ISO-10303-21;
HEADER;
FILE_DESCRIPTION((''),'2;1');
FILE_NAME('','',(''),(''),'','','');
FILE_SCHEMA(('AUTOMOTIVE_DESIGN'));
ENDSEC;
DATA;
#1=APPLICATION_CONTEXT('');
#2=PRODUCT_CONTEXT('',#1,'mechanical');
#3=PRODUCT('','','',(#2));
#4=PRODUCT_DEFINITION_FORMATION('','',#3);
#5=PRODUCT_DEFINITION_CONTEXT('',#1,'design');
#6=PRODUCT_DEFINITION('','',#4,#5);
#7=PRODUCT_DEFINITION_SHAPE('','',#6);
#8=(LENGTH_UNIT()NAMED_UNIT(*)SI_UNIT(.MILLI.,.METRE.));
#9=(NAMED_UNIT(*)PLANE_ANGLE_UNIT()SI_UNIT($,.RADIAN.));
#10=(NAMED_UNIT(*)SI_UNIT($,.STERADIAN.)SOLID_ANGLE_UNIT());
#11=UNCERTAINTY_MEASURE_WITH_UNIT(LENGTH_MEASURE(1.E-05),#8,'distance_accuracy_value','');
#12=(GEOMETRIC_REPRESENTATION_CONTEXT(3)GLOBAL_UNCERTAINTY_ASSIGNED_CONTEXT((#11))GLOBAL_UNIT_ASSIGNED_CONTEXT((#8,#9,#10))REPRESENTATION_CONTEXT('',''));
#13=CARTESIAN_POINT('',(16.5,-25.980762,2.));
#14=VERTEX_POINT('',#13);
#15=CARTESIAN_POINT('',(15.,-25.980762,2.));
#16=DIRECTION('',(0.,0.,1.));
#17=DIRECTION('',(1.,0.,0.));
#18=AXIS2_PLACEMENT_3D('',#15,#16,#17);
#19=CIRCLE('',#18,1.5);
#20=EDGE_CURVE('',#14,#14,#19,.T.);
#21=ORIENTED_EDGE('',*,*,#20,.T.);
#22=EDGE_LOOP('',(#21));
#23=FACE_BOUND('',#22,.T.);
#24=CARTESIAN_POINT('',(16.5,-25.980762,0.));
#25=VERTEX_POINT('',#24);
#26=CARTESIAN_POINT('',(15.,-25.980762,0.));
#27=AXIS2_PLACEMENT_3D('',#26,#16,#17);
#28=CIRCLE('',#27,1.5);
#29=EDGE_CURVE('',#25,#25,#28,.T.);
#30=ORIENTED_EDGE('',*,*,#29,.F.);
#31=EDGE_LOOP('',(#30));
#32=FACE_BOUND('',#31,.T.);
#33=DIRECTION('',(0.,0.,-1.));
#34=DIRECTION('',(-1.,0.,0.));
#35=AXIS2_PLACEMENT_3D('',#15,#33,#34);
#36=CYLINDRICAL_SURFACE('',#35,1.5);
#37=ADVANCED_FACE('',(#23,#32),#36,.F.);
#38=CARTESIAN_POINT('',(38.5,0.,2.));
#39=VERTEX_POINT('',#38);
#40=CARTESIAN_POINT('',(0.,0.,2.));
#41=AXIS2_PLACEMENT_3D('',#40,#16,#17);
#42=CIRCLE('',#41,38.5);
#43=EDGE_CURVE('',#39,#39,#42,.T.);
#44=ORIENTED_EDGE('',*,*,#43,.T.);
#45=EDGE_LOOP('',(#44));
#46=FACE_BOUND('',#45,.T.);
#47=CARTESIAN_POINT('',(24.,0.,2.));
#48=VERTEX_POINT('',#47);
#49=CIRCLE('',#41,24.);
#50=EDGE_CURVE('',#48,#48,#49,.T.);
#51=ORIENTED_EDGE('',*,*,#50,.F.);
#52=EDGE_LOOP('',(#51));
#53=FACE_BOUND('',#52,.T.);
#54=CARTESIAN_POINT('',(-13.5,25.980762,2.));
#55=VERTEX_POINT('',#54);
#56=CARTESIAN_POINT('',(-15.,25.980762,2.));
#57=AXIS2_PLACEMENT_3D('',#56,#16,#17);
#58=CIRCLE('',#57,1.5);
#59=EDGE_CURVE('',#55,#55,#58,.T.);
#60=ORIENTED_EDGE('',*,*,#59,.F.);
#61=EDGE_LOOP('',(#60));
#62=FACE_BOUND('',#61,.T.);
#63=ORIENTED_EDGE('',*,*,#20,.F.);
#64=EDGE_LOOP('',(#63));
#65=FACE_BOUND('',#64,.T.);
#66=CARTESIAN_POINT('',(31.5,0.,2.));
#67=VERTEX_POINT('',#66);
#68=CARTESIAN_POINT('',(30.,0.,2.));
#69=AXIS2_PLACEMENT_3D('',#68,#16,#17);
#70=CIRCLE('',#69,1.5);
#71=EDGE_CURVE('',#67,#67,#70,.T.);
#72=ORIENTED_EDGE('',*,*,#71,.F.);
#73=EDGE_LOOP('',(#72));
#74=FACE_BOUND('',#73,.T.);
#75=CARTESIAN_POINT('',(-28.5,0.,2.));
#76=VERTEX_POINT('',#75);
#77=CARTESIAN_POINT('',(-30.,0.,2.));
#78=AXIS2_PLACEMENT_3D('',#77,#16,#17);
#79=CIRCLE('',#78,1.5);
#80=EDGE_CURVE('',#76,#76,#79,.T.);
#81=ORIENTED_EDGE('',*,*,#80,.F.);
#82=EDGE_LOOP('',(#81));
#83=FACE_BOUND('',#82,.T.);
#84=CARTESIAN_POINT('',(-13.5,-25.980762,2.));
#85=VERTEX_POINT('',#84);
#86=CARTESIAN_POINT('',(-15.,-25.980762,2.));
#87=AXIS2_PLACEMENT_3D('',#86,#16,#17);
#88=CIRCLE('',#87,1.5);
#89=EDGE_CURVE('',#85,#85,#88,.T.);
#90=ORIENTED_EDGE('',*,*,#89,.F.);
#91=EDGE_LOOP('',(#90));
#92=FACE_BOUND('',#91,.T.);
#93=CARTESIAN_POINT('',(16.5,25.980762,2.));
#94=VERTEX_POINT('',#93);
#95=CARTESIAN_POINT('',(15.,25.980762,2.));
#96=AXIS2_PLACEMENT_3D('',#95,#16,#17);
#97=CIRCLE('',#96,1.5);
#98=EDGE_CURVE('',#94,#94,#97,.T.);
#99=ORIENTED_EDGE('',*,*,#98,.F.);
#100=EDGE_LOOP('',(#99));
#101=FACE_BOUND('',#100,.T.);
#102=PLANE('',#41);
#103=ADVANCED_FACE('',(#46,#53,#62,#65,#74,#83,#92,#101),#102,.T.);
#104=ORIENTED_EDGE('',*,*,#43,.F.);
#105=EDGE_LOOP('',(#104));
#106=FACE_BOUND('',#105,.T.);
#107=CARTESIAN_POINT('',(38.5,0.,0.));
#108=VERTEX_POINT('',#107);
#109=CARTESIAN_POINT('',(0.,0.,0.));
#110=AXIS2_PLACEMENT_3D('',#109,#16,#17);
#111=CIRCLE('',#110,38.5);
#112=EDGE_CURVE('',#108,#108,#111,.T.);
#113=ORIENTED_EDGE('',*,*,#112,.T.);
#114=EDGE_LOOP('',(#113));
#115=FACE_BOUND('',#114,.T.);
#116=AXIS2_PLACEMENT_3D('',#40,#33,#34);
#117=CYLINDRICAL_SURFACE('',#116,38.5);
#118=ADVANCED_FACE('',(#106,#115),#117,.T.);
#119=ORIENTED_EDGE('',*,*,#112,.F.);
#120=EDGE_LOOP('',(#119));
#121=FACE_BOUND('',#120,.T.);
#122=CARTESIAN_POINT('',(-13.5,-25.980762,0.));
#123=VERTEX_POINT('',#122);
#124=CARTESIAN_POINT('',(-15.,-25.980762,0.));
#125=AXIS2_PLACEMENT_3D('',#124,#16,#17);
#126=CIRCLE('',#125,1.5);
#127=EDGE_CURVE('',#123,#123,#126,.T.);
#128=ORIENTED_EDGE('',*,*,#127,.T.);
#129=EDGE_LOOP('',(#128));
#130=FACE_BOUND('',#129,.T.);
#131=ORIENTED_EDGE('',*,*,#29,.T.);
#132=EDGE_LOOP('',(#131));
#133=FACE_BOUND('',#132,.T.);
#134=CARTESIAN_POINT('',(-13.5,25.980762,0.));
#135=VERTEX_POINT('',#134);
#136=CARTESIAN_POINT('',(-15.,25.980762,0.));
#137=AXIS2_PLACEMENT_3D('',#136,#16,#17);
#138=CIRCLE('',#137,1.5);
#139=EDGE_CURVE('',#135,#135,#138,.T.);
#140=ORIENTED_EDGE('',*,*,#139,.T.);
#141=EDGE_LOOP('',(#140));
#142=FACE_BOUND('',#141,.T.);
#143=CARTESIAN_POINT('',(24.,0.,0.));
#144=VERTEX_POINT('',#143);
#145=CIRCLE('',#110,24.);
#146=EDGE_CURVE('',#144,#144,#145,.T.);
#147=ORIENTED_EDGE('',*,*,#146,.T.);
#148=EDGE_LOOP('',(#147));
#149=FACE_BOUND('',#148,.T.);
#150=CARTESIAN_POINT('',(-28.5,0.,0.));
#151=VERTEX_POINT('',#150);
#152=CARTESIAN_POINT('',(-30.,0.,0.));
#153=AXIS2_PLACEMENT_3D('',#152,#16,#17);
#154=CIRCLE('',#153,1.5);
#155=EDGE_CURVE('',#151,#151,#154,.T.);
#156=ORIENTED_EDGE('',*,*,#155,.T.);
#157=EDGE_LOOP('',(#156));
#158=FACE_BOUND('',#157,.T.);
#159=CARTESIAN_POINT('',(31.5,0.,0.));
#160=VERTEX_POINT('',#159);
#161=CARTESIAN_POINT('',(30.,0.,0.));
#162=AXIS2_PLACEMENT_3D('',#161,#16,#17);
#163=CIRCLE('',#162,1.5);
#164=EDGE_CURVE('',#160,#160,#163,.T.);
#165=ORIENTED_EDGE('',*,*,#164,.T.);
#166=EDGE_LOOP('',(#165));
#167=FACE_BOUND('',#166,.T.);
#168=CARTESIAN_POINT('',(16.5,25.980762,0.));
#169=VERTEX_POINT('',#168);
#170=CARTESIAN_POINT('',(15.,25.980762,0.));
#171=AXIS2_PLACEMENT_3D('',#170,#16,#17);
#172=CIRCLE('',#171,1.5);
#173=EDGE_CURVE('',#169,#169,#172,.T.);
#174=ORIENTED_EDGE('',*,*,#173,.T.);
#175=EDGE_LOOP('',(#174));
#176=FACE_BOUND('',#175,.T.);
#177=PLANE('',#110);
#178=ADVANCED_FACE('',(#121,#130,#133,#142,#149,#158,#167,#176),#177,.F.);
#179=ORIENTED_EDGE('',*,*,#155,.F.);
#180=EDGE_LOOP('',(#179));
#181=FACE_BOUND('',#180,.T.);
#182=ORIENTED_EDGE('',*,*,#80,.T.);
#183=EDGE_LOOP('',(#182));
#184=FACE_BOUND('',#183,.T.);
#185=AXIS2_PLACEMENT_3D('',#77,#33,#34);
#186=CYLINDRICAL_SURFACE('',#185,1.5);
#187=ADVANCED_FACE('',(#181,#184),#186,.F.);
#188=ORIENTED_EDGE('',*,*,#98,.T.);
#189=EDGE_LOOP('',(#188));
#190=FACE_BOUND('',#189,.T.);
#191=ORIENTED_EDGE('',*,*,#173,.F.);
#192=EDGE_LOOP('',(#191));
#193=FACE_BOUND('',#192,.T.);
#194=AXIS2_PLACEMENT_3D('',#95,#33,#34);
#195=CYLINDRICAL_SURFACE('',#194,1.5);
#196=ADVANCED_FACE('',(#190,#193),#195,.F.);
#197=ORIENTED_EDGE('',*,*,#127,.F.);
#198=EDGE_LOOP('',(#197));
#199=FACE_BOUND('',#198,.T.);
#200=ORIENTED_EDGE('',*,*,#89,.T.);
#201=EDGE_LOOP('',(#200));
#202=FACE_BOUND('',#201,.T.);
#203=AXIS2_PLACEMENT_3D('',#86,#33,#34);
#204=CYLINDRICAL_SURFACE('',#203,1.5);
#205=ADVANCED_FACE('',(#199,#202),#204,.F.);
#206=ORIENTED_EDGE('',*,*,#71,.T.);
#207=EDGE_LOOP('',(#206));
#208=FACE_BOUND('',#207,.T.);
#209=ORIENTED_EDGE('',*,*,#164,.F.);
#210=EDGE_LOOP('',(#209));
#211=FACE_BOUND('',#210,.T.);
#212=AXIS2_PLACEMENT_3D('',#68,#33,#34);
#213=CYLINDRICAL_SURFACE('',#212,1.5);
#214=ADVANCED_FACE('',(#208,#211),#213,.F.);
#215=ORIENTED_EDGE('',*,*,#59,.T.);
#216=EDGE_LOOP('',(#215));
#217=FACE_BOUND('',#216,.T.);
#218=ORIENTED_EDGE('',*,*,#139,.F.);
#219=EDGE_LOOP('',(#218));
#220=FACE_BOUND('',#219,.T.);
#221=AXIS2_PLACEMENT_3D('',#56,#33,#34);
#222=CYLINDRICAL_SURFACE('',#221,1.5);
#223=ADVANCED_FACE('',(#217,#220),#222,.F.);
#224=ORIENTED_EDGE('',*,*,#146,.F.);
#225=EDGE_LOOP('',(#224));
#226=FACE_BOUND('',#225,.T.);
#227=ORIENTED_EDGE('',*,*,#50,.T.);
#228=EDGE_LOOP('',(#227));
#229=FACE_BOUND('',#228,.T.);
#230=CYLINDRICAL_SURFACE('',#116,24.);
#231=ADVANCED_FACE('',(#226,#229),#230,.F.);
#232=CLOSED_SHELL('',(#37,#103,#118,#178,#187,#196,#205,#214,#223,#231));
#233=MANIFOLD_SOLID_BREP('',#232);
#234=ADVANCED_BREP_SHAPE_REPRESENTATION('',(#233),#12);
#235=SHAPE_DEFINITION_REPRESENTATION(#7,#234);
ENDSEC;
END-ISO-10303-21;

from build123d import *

# Parameters (mm, degrees)
MODEL_R             = 38.5
MODEL_R_2           = 1.5
MODEL_R_3           = 24
BOSS_EXTRUDE1_DEPTH = 2


with BuildPart() as part:
    # Model → Boss-Extrude1 (new body)
    with BuildSketch(Plane.XY):
        Circle(MODEL_R)
        with Locations((-30, 0)):
            Circle(MODEL_R_2, mode=Mode.SUBTRACT)
        with Locations((-15, -25.980762114)):
            Circle(MODEL_R_2, mode=Mode.SUBTRACT)
        with Locations((15, 25.980762114)):
            Circle(MODEL_R_2, mode=Mode.SUBTRACT)
        with Locations((-15, 25.980762114)):
            Circle(MODEL_R_2, mode=Mode.SUBTRACT)
        with Locations((15, -25.980762114)):
            Circle(MODEL_R_2, mode=Mode.SUBTRACT)
        with Locations((30, 0)):
            Circle(MODEL_R_2, mode=Mode.SUBTRACT)
        Circle(MODEL_R_3, mode=Mode.SUBTRACT)
    extrude(amount=BOSS_EXTRUDE1_DEPTH)


solid = part.part
